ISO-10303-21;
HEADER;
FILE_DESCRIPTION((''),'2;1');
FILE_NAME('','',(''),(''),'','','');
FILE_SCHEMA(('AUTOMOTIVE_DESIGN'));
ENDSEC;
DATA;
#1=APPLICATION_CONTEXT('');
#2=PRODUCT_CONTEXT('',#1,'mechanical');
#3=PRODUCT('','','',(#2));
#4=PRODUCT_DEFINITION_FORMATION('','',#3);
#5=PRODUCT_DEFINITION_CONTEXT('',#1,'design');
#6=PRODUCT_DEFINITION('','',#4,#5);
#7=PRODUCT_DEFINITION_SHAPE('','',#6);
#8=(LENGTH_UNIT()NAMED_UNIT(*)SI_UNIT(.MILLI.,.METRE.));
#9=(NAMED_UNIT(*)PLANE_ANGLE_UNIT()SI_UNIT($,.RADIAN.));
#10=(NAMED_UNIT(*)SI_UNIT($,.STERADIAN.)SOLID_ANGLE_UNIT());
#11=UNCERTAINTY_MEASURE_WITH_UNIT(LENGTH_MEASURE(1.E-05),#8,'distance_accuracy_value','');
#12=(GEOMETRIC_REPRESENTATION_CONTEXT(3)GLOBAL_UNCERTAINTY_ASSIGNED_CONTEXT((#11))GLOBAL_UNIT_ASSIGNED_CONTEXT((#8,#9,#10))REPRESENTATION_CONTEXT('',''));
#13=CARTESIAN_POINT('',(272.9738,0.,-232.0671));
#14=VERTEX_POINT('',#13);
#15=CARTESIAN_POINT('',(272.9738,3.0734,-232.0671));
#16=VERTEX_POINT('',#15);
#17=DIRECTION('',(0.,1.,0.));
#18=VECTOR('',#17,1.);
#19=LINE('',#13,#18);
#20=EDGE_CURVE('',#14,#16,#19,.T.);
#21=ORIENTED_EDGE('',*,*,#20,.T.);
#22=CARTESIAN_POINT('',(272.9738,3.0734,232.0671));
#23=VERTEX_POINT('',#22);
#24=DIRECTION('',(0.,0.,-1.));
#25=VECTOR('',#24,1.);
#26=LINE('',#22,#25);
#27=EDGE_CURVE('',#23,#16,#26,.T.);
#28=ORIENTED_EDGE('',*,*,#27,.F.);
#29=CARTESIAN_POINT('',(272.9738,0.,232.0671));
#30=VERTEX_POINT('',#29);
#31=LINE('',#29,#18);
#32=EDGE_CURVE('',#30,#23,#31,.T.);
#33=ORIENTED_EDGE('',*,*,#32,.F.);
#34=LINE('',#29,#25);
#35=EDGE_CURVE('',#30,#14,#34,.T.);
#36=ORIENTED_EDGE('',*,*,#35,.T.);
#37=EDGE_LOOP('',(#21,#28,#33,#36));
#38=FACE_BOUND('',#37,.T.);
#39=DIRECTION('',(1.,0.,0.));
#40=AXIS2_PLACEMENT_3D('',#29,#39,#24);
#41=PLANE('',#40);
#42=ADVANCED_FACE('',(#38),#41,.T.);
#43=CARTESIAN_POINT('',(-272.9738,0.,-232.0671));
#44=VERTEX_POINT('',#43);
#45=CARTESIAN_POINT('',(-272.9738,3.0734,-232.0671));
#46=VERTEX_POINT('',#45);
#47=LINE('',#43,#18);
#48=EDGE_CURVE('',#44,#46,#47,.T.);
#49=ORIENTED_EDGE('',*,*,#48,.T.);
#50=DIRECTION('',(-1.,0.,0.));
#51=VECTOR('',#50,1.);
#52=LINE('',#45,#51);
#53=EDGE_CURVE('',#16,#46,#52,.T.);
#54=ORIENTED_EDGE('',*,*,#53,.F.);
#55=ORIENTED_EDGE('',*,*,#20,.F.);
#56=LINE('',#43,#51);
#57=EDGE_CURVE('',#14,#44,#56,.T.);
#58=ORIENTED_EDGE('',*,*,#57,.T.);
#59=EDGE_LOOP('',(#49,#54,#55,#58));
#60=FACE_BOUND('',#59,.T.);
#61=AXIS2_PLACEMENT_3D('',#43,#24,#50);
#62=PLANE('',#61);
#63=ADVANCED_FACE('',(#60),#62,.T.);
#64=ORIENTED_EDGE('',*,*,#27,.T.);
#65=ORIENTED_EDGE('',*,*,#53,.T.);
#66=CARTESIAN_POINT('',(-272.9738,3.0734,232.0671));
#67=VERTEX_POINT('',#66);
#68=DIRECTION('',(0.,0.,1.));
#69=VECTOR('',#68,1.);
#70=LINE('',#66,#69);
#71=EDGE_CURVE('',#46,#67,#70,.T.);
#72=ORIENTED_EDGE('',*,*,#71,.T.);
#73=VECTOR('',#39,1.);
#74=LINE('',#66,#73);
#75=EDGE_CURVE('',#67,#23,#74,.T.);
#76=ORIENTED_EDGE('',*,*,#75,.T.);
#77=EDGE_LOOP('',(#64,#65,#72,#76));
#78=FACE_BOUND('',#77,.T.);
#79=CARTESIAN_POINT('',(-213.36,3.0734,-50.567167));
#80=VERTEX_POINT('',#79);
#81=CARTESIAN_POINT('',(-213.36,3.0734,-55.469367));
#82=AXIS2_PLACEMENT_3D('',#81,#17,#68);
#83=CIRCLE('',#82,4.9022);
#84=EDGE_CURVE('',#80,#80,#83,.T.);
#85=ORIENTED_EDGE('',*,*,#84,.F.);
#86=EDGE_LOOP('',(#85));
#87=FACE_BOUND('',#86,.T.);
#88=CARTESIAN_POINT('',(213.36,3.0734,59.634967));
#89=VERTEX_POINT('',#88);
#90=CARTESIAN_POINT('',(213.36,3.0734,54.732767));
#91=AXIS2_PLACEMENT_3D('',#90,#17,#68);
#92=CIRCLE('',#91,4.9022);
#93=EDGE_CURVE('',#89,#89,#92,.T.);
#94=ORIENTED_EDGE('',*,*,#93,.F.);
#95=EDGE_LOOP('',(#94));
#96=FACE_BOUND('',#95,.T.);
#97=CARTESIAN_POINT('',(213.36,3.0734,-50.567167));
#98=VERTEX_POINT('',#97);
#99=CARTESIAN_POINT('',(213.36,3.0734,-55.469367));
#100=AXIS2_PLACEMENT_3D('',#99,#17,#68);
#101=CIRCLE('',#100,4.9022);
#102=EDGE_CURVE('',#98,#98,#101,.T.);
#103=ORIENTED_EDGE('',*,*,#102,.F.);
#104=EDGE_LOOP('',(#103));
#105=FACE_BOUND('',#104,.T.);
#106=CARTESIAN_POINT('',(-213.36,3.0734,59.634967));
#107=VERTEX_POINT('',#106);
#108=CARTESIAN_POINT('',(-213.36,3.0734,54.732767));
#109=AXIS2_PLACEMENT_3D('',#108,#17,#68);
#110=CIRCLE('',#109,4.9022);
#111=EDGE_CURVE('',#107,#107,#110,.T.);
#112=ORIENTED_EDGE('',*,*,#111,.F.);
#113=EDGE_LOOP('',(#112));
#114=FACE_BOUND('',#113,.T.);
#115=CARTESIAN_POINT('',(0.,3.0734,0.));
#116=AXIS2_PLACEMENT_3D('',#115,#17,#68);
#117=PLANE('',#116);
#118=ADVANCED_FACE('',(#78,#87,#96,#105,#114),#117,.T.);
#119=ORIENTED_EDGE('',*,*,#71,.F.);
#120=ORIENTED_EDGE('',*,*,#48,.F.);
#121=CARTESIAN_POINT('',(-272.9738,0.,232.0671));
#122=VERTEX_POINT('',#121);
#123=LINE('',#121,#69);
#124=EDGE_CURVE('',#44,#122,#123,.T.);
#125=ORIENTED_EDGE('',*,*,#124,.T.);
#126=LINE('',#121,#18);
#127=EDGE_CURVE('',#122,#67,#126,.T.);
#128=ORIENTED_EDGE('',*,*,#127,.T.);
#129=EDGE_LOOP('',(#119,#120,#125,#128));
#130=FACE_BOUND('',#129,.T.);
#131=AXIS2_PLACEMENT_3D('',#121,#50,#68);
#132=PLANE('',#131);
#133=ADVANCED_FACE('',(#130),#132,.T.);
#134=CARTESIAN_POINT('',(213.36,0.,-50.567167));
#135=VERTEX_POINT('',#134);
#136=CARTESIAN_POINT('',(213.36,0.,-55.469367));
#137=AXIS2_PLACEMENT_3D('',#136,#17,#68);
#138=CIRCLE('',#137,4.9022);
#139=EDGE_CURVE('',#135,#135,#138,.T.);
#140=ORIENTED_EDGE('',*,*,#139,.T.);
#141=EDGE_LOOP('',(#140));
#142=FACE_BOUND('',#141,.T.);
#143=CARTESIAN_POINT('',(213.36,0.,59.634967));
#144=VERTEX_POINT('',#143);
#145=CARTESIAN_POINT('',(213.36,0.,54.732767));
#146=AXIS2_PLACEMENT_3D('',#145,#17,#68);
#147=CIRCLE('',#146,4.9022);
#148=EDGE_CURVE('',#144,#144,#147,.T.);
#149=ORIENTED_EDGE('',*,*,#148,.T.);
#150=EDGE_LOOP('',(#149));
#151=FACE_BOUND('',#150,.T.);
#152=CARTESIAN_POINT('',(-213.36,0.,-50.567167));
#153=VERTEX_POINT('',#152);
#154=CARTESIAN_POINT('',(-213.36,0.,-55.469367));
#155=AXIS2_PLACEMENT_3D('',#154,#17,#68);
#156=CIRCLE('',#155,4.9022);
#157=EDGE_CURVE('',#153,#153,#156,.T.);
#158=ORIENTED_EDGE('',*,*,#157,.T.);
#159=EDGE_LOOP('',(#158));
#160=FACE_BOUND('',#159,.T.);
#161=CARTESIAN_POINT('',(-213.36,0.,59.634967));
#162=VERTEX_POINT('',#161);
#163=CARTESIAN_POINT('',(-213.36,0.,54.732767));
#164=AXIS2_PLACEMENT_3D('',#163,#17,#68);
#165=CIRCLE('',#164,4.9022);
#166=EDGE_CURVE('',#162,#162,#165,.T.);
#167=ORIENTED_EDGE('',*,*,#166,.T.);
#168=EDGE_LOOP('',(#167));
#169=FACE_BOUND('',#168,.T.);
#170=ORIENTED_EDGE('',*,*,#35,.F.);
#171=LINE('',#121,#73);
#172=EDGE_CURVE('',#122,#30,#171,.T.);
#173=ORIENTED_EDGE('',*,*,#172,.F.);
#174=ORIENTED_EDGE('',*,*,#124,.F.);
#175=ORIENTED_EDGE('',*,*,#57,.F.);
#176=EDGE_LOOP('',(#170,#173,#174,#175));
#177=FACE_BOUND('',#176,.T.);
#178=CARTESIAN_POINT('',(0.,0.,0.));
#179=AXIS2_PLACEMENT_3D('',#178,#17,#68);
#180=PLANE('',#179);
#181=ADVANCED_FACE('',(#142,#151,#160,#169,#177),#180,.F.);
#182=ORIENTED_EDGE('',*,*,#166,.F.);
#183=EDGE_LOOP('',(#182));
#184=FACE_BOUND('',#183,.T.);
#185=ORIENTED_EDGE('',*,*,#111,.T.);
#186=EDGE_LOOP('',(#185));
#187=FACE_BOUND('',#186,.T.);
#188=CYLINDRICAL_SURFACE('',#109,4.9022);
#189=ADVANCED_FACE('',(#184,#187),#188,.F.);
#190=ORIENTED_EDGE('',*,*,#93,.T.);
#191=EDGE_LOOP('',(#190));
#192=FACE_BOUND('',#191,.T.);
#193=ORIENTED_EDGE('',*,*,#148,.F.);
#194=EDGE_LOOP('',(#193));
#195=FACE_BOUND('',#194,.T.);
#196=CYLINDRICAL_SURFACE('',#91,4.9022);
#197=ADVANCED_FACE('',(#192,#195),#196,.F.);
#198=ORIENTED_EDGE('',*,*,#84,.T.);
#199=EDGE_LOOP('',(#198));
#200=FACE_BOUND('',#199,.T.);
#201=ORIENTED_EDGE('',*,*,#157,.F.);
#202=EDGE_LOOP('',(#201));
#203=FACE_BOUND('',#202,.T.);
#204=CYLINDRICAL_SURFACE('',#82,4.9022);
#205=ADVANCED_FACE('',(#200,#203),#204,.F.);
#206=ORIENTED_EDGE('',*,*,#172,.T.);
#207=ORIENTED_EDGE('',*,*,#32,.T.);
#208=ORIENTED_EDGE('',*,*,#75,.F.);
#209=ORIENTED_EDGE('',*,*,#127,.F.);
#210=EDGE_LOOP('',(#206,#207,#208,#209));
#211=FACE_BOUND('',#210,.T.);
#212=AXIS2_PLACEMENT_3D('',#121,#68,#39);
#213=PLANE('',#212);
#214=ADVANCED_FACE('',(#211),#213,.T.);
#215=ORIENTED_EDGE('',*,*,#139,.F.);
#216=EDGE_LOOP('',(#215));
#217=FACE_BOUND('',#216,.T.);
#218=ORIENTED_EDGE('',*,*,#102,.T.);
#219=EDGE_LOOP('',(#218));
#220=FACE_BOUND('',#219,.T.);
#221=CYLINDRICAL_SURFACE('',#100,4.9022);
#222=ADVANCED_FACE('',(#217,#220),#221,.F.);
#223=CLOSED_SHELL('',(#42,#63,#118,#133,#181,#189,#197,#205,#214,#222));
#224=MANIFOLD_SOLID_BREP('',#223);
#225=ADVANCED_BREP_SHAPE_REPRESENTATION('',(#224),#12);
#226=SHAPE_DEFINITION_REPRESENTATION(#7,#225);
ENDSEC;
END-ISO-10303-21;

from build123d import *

# Parameters (mm, degrees)
SKETCH1_W                = 584.2
SKETCH1_H                = 502.3866
TOPPLATE_DEPTH           = 3.0734
SKETCH2_R                = 2.8956
FRONT_REARTOPHOLES_DEPTH = 4.0734
LPATTERN1_COUNT          = 4
LPATTERN1_PITCH          = 142.24
SKETCH3_R                = 2.8956
CUT_EXTRUDE2_DEPTH       = 4.0734
LPATTERN2_COUNT          = 4
LPATTERN2_PITCH          = 110.202133333
F_3_8_CLEARANCE_HOLE1_D  = 9.8044
SKETCH7_W                = 584.2
SKETCH7_H                = 502.3866
SKETCH7_W_2              = 545.9476
SKETCH7_H_2              = 464.1342
CUT_EXTRUDE3_DEPTH       = 4.0734


with BuildPart() as part:
    # Sketch1 → TopPlate (new body)
    with BuildSketch(Plane(origin=(0, 0, 0), x_dir=(1, 0, 0), z_dir=(0, 1, 0))):
        Rectangle(SKETCH1_W, SKETCH1_H)
    extrude(amount=TOPPLATE_DEPTH)

    # Sketch2 → Front/RearTopHoles (cut, through all)
    with BuildSketch(Plane(origin=(0, 3.0734, 0), x_dir=(1, 0, 0), z_dir=(0, 1, 0))):
        with Locations((-213.36, 238.5949)):
            Circle(SKETCH2_R)
        with Locations((-213.36, -237.8583)):
            Circle(SKETCH2_R)
    front_reartopholes = extrude(amount=-FRONT_REARTOPHOLES_DEPTH, mode=Mode.SUBTRACT)

    # LPattern1: Front/RearTopHoles ×4
    with Locations(*[(i * LPATTERN1_PITCH, 0, 0) for i in range(1, LPATTERN1_COUNT)]):
        add(front_reartopholes, mode=Mode.SUBTRACT)

    # Sketch3 → Cut-Extrude2 (cut, through all)
    with BuildSketch(Plane(origin=(0, 3.0734, 0), x_dir=(1, 0, 0), z_dir=(0, 1, 0))):
        with Locations((-279.5016, 165.6715)):
            Circle(SKETCH3_R)
        with Locations((279.5016, 165.6715)):
            Circle(SKETCH3_R)
    cut_extrude2 = extrude(amount=-CUT_EXTRUDE2_DEPTH, mode=Mode.SUBTRACT)

    # LPattern2: Cut-Extrude2 ×4
    with Locations(*[(0, 0, i * LPATTERN2_PITCH) for i in range(1, LPATTERN2_COUNT)]):
        add(cut_extrude2, mode=Mode.SUBTRACT)

    # 3/8 Clearance Hole1 (through all)
    with Locations(Plane(origin=(0, 3.0734, 0), x_dir=(1, 0, 0), z_dir=(0, 1, 0))):
        with Locations((-213.36, 55.469366667), (-213.36, -54.732766667), (213.36, -54.732766667), (213.36, 55.469366667)):
            Hole(F_3_8_CLEARANCE_HOLE1_D / 2)

    # Sketch7 → Cut-Extrude3 (cut, through all)
    with BuildSketch(Plane(origin=(0, 3.0734, 0), x_dir=(1, 0, 0), z_dir=(0, 1, 0))):
        Rectangle(SKETCH7_W, SKETCH7_H)
        Rectangle(SKETCH7_W_2, SKETCH7_H_2, mode=Mode.SUBTRACT)
    extrude(amount=-CUT_EXTRUDE3_DEPTH, mode=Mode.SUBTRACT)


solid = part.part
